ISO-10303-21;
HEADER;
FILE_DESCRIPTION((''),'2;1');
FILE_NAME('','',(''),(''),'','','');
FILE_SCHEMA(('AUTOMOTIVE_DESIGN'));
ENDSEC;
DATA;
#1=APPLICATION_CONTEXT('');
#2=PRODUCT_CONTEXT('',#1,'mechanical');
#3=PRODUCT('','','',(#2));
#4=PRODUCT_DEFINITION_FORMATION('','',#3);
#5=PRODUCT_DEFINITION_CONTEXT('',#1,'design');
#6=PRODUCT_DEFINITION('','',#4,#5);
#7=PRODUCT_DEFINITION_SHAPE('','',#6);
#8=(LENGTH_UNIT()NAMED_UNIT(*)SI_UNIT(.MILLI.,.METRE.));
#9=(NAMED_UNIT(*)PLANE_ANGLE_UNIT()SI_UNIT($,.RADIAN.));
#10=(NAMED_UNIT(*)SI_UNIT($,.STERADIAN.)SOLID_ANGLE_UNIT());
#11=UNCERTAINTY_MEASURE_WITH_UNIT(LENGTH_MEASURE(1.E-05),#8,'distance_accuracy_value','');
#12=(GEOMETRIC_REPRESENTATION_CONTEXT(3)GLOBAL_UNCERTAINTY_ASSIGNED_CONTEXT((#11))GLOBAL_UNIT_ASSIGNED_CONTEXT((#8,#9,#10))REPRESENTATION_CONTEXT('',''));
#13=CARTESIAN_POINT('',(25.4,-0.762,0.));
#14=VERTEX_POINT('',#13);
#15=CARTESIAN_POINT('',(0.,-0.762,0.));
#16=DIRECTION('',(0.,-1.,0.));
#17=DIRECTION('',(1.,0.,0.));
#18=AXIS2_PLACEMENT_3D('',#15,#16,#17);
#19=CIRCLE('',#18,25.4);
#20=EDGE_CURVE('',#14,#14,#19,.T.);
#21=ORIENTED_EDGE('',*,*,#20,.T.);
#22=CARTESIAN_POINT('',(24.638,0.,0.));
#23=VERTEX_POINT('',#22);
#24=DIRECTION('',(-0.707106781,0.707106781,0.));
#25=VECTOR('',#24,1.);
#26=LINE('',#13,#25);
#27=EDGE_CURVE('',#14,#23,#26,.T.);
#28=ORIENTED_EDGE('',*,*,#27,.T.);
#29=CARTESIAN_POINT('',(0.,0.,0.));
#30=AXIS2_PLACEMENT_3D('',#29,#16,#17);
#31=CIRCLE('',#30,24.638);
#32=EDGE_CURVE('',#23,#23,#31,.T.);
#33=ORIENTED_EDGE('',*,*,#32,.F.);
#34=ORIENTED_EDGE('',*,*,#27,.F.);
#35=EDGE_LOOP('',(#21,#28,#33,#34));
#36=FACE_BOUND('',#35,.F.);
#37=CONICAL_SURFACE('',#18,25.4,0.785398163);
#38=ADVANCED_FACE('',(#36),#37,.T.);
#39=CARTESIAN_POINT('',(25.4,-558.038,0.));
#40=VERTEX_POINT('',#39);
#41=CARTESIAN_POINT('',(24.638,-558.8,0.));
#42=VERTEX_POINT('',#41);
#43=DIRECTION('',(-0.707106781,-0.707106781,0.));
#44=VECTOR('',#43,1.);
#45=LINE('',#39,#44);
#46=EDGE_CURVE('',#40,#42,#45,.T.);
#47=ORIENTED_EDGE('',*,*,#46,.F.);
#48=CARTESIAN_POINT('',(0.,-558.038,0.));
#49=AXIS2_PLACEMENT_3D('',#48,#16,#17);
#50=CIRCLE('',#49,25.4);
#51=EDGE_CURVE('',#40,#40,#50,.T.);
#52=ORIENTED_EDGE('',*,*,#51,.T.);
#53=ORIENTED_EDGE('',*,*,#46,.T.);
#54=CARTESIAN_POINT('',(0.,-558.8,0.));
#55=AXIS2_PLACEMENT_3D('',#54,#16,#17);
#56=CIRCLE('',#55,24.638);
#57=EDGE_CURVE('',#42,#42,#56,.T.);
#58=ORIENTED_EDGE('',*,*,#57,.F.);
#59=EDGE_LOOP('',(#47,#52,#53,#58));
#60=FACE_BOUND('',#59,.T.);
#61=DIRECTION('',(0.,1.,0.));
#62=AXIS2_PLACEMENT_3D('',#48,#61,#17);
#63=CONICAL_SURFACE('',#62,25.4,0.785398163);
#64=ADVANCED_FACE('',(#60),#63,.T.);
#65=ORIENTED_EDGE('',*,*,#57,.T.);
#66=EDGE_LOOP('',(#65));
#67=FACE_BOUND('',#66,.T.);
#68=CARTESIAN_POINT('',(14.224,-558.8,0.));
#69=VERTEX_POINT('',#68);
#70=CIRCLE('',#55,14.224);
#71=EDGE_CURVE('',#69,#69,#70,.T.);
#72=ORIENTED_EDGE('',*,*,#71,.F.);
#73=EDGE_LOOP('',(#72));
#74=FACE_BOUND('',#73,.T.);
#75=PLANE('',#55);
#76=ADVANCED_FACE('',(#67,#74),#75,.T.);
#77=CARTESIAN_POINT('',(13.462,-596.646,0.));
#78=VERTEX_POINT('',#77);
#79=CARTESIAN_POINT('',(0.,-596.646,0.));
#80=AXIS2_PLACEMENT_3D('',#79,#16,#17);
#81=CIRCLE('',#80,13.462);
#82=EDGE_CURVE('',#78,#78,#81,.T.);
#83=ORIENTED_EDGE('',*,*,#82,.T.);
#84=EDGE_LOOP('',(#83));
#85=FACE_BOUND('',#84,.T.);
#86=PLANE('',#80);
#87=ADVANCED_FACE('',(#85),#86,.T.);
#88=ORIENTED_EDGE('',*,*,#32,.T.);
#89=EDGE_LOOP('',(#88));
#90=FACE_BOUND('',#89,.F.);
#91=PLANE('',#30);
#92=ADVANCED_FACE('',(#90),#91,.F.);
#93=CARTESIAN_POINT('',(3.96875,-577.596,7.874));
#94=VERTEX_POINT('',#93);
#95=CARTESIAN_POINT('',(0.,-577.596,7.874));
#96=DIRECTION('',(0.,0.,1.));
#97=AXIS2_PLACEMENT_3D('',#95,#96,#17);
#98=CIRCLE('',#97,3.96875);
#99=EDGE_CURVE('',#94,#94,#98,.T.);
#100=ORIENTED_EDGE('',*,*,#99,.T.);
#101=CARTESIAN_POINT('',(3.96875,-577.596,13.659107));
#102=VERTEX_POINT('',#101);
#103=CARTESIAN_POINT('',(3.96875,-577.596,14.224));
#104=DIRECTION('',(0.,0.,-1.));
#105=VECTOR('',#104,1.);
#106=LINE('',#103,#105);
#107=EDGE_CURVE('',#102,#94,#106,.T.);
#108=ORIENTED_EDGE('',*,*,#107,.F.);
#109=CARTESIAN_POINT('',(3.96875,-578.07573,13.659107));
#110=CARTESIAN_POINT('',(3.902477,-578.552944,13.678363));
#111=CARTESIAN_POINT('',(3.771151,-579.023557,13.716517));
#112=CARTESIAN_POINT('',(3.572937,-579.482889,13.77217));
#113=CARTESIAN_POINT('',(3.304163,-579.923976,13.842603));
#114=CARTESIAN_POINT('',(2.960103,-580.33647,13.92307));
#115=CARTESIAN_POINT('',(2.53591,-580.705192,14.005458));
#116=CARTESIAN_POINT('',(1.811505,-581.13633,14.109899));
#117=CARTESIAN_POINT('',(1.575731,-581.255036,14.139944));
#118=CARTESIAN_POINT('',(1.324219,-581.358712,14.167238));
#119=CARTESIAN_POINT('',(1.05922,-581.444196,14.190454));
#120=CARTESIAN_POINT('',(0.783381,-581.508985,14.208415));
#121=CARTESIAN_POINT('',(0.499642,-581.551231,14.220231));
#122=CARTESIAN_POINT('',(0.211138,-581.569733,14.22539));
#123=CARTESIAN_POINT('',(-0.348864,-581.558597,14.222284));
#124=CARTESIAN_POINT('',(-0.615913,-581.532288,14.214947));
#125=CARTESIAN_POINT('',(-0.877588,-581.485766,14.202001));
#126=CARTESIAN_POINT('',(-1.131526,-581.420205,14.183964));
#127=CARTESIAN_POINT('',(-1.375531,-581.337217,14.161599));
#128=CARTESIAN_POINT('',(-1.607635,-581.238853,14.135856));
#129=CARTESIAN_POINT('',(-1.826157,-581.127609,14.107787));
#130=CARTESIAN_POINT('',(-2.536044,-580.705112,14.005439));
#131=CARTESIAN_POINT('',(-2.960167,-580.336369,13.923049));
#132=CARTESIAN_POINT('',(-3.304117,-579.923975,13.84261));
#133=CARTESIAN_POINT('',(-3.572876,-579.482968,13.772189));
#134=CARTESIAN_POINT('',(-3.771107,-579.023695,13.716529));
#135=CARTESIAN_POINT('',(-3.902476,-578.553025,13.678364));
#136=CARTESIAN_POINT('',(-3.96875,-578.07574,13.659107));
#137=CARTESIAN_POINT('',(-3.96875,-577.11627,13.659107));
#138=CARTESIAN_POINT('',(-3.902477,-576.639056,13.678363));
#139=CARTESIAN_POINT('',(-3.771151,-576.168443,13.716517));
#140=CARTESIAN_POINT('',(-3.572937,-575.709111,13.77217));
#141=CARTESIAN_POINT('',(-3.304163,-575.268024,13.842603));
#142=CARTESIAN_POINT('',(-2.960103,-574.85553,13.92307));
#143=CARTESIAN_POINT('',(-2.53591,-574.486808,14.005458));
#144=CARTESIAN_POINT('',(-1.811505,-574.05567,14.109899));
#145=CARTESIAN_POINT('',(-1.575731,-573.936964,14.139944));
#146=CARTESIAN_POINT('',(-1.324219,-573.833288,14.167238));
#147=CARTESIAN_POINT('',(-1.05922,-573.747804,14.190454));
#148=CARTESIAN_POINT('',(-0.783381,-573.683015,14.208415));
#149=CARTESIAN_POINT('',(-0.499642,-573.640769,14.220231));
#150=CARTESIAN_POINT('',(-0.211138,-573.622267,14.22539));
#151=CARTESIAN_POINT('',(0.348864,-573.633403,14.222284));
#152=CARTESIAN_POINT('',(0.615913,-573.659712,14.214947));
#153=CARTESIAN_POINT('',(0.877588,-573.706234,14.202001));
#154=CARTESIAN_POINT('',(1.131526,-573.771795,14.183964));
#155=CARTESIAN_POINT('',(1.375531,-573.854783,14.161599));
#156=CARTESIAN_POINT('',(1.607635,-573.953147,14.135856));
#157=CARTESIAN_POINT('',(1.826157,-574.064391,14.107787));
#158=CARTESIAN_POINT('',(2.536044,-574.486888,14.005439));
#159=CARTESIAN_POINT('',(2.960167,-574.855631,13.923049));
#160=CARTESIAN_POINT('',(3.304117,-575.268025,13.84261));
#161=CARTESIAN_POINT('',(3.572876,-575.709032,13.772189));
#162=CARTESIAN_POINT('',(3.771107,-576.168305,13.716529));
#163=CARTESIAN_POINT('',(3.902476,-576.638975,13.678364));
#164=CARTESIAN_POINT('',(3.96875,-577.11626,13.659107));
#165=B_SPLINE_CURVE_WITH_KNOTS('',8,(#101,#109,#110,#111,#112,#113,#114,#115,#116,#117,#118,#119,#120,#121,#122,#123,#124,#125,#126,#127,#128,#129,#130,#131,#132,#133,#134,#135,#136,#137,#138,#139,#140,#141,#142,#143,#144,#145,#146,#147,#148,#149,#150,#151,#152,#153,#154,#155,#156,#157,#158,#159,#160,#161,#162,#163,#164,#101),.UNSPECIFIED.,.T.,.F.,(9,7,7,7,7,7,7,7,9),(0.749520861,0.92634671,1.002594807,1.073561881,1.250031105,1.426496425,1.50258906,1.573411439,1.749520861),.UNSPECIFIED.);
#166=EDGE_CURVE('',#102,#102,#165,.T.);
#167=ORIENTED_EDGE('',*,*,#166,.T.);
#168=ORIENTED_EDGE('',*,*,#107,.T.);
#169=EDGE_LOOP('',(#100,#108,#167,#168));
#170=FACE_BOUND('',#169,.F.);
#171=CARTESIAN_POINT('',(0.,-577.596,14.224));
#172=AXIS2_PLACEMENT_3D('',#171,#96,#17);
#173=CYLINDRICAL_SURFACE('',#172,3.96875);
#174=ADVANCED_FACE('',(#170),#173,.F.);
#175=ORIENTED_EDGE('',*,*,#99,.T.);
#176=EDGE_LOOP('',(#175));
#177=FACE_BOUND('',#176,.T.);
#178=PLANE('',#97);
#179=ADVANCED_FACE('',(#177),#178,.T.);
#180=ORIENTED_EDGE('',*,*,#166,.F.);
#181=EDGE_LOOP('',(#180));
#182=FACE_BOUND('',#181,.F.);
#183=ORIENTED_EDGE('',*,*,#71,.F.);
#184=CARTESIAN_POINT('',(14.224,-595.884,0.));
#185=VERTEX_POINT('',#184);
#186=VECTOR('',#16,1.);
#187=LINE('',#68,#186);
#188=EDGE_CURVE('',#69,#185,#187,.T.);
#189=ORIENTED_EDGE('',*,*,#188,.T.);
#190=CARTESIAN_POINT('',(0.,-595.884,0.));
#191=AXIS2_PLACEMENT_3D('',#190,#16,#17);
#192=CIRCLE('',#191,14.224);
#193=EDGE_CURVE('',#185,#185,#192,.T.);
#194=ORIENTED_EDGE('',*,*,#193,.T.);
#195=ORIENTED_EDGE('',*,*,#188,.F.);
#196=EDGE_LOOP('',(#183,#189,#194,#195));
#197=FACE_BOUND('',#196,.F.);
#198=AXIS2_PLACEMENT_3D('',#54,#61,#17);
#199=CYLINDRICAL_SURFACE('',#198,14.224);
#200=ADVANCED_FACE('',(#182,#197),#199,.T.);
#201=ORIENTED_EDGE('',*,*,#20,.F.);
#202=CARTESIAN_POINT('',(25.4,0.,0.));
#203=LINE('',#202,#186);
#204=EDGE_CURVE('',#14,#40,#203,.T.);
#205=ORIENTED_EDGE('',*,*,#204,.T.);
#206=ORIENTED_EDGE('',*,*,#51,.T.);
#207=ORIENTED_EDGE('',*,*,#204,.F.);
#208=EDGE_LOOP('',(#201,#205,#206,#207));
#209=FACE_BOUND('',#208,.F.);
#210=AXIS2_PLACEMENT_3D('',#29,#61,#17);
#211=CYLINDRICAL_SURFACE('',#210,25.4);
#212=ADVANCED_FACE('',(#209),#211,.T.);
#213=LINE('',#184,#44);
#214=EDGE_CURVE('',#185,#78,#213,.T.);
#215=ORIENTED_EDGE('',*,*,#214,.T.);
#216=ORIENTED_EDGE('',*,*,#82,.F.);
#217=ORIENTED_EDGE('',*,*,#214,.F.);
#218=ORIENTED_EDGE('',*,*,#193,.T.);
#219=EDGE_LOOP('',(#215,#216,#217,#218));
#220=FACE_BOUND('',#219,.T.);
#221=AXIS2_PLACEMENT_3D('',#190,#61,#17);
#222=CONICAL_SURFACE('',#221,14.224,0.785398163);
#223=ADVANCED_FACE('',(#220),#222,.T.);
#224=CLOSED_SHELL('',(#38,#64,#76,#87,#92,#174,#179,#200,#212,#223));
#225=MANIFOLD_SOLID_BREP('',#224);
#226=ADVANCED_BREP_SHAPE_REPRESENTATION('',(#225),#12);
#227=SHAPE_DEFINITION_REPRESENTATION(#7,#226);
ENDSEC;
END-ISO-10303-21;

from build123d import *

# Parameters (mm, degrees)
F0_R     = 25.4
F1_DEPTH = 558.8
F2_R     = 14.224
F3_DEPTH = 37.846
F4_SIZE  = 0.762
F6_R     = 3.96875
F7_DEPTH = 6.35


with BuildPart() as f1:
    # F0 (on Front) → F1 (new body)
    with BuildSketch(Plane.XZ):
        Circle(F0_R)
    extrude(amount=F1_DEPTH)

    # F2 (on face) → F3 (join)
    with BuildSketch(Plane.XZ.offset(558.8)):
        Circle(F2_R)
    extrude(amount=F3_DEPTH)

    # F4
    f4_edges = [f1.edges().sort_by_distance(p)[0] for p in [
        (-14.224, -596.646, 0),
        (-25.4, -558.8, 0),
        (-25.4, 0, 0),
    ]]
    chamfer(f4_edges, length=F4_SIZE)

    # F6 (on offset) → F7 (cut)
    with BuildSketch(Plane.XY.offset(14.224)):
        with Locations((0, -577.596)):
            Circle(F6_R)
    extrude(amount=-F7_DEPTH, mode=Mode.SUBTRACT)


solid = f1.part
